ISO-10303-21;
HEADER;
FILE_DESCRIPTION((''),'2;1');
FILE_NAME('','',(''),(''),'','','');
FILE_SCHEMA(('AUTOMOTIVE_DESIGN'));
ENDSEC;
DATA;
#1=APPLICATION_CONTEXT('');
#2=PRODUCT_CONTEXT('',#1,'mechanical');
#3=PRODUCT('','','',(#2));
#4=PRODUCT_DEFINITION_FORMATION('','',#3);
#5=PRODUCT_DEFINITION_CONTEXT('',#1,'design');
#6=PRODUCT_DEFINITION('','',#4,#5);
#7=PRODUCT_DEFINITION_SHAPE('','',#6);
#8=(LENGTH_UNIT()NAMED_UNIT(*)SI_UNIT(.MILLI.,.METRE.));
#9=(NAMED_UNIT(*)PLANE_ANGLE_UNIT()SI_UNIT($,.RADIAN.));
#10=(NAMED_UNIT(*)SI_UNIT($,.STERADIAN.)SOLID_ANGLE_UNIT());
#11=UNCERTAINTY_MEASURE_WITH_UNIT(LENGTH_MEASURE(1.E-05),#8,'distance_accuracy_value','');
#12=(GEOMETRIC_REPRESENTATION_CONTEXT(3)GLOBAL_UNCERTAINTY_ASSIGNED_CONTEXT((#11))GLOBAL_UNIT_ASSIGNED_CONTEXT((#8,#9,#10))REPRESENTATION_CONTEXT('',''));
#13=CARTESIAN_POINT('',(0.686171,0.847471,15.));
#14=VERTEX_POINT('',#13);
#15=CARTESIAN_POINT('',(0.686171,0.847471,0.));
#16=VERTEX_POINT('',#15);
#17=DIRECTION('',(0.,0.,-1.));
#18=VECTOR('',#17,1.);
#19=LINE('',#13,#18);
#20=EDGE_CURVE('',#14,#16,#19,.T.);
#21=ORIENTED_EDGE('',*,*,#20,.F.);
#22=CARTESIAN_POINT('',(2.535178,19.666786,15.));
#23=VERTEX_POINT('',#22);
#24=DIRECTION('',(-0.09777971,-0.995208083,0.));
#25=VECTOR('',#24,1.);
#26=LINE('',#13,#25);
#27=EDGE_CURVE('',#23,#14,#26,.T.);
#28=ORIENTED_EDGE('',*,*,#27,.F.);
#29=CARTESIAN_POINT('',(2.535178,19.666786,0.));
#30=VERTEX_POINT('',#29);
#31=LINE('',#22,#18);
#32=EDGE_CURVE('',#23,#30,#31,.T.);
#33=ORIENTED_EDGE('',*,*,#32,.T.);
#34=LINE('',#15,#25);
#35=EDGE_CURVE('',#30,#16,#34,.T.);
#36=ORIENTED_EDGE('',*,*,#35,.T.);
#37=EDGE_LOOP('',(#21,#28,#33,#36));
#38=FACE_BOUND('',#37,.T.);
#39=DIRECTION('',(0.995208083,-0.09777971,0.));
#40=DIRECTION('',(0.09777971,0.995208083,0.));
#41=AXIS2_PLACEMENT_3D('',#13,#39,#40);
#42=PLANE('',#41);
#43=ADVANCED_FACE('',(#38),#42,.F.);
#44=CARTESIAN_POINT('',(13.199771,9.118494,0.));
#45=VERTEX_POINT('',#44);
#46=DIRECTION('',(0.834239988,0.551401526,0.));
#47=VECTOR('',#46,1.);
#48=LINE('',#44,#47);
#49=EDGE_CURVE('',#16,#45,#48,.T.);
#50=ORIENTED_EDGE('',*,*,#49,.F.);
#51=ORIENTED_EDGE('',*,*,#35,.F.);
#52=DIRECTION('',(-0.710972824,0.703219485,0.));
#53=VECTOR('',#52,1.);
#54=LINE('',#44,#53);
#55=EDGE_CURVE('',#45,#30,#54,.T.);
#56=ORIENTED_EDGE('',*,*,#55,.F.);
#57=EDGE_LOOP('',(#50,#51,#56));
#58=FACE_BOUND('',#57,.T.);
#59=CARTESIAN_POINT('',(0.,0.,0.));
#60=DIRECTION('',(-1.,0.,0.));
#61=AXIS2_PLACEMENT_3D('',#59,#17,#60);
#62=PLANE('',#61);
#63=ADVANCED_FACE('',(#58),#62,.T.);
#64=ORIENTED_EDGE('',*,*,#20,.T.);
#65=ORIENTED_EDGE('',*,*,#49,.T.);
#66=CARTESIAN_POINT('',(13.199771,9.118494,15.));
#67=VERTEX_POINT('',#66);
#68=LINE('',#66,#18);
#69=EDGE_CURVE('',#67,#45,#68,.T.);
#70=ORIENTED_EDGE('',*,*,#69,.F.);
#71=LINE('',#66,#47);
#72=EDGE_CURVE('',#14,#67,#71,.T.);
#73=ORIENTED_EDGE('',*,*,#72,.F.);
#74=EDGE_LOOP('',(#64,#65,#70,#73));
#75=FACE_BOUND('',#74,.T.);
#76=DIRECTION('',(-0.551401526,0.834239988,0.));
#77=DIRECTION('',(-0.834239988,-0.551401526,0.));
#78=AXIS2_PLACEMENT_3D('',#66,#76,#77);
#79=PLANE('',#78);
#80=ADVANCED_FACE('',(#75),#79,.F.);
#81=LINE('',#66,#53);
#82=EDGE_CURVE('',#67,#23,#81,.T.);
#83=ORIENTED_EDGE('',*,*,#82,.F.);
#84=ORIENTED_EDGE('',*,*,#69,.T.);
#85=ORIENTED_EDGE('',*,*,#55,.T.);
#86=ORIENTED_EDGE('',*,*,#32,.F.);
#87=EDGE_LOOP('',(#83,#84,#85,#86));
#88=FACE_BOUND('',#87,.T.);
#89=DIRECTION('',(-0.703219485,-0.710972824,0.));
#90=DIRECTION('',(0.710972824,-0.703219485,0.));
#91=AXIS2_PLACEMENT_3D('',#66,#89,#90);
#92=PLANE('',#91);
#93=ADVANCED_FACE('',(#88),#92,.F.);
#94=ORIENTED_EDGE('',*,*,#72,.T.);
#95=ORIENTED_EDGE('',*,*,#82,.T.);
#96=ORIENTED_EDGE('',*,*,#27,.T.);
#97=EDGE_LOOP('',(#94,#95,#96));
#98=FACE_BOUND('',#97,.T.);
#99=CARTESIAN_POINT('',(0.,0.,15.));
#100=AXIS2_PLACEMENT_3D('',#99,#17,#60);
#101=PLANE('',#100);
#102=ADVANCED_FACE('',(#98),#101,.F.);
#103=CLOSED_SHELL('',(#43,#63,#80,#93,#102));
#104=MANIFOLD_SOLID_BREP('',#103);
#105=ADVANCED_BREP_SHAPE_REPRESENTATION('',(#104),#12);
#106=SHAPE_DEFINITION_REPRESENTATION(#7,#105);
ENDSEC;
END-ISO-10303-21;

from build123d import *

# Parameters (mm, degrees)
EXTRUDE_1_DEPTH = 15


with BuildPart() as part:
    # 草图2 → 凸台-拉伸1 (new body)
    with BuildSketch(Plane.XY):
        Polygon((13.19977079, 9.118493995), (2.535178436, 19.66678627), (0.686170974, 0.847471105), align=None)
    extrude(amount=EXTRUDE_1_DEPTH)


solid = part.part
